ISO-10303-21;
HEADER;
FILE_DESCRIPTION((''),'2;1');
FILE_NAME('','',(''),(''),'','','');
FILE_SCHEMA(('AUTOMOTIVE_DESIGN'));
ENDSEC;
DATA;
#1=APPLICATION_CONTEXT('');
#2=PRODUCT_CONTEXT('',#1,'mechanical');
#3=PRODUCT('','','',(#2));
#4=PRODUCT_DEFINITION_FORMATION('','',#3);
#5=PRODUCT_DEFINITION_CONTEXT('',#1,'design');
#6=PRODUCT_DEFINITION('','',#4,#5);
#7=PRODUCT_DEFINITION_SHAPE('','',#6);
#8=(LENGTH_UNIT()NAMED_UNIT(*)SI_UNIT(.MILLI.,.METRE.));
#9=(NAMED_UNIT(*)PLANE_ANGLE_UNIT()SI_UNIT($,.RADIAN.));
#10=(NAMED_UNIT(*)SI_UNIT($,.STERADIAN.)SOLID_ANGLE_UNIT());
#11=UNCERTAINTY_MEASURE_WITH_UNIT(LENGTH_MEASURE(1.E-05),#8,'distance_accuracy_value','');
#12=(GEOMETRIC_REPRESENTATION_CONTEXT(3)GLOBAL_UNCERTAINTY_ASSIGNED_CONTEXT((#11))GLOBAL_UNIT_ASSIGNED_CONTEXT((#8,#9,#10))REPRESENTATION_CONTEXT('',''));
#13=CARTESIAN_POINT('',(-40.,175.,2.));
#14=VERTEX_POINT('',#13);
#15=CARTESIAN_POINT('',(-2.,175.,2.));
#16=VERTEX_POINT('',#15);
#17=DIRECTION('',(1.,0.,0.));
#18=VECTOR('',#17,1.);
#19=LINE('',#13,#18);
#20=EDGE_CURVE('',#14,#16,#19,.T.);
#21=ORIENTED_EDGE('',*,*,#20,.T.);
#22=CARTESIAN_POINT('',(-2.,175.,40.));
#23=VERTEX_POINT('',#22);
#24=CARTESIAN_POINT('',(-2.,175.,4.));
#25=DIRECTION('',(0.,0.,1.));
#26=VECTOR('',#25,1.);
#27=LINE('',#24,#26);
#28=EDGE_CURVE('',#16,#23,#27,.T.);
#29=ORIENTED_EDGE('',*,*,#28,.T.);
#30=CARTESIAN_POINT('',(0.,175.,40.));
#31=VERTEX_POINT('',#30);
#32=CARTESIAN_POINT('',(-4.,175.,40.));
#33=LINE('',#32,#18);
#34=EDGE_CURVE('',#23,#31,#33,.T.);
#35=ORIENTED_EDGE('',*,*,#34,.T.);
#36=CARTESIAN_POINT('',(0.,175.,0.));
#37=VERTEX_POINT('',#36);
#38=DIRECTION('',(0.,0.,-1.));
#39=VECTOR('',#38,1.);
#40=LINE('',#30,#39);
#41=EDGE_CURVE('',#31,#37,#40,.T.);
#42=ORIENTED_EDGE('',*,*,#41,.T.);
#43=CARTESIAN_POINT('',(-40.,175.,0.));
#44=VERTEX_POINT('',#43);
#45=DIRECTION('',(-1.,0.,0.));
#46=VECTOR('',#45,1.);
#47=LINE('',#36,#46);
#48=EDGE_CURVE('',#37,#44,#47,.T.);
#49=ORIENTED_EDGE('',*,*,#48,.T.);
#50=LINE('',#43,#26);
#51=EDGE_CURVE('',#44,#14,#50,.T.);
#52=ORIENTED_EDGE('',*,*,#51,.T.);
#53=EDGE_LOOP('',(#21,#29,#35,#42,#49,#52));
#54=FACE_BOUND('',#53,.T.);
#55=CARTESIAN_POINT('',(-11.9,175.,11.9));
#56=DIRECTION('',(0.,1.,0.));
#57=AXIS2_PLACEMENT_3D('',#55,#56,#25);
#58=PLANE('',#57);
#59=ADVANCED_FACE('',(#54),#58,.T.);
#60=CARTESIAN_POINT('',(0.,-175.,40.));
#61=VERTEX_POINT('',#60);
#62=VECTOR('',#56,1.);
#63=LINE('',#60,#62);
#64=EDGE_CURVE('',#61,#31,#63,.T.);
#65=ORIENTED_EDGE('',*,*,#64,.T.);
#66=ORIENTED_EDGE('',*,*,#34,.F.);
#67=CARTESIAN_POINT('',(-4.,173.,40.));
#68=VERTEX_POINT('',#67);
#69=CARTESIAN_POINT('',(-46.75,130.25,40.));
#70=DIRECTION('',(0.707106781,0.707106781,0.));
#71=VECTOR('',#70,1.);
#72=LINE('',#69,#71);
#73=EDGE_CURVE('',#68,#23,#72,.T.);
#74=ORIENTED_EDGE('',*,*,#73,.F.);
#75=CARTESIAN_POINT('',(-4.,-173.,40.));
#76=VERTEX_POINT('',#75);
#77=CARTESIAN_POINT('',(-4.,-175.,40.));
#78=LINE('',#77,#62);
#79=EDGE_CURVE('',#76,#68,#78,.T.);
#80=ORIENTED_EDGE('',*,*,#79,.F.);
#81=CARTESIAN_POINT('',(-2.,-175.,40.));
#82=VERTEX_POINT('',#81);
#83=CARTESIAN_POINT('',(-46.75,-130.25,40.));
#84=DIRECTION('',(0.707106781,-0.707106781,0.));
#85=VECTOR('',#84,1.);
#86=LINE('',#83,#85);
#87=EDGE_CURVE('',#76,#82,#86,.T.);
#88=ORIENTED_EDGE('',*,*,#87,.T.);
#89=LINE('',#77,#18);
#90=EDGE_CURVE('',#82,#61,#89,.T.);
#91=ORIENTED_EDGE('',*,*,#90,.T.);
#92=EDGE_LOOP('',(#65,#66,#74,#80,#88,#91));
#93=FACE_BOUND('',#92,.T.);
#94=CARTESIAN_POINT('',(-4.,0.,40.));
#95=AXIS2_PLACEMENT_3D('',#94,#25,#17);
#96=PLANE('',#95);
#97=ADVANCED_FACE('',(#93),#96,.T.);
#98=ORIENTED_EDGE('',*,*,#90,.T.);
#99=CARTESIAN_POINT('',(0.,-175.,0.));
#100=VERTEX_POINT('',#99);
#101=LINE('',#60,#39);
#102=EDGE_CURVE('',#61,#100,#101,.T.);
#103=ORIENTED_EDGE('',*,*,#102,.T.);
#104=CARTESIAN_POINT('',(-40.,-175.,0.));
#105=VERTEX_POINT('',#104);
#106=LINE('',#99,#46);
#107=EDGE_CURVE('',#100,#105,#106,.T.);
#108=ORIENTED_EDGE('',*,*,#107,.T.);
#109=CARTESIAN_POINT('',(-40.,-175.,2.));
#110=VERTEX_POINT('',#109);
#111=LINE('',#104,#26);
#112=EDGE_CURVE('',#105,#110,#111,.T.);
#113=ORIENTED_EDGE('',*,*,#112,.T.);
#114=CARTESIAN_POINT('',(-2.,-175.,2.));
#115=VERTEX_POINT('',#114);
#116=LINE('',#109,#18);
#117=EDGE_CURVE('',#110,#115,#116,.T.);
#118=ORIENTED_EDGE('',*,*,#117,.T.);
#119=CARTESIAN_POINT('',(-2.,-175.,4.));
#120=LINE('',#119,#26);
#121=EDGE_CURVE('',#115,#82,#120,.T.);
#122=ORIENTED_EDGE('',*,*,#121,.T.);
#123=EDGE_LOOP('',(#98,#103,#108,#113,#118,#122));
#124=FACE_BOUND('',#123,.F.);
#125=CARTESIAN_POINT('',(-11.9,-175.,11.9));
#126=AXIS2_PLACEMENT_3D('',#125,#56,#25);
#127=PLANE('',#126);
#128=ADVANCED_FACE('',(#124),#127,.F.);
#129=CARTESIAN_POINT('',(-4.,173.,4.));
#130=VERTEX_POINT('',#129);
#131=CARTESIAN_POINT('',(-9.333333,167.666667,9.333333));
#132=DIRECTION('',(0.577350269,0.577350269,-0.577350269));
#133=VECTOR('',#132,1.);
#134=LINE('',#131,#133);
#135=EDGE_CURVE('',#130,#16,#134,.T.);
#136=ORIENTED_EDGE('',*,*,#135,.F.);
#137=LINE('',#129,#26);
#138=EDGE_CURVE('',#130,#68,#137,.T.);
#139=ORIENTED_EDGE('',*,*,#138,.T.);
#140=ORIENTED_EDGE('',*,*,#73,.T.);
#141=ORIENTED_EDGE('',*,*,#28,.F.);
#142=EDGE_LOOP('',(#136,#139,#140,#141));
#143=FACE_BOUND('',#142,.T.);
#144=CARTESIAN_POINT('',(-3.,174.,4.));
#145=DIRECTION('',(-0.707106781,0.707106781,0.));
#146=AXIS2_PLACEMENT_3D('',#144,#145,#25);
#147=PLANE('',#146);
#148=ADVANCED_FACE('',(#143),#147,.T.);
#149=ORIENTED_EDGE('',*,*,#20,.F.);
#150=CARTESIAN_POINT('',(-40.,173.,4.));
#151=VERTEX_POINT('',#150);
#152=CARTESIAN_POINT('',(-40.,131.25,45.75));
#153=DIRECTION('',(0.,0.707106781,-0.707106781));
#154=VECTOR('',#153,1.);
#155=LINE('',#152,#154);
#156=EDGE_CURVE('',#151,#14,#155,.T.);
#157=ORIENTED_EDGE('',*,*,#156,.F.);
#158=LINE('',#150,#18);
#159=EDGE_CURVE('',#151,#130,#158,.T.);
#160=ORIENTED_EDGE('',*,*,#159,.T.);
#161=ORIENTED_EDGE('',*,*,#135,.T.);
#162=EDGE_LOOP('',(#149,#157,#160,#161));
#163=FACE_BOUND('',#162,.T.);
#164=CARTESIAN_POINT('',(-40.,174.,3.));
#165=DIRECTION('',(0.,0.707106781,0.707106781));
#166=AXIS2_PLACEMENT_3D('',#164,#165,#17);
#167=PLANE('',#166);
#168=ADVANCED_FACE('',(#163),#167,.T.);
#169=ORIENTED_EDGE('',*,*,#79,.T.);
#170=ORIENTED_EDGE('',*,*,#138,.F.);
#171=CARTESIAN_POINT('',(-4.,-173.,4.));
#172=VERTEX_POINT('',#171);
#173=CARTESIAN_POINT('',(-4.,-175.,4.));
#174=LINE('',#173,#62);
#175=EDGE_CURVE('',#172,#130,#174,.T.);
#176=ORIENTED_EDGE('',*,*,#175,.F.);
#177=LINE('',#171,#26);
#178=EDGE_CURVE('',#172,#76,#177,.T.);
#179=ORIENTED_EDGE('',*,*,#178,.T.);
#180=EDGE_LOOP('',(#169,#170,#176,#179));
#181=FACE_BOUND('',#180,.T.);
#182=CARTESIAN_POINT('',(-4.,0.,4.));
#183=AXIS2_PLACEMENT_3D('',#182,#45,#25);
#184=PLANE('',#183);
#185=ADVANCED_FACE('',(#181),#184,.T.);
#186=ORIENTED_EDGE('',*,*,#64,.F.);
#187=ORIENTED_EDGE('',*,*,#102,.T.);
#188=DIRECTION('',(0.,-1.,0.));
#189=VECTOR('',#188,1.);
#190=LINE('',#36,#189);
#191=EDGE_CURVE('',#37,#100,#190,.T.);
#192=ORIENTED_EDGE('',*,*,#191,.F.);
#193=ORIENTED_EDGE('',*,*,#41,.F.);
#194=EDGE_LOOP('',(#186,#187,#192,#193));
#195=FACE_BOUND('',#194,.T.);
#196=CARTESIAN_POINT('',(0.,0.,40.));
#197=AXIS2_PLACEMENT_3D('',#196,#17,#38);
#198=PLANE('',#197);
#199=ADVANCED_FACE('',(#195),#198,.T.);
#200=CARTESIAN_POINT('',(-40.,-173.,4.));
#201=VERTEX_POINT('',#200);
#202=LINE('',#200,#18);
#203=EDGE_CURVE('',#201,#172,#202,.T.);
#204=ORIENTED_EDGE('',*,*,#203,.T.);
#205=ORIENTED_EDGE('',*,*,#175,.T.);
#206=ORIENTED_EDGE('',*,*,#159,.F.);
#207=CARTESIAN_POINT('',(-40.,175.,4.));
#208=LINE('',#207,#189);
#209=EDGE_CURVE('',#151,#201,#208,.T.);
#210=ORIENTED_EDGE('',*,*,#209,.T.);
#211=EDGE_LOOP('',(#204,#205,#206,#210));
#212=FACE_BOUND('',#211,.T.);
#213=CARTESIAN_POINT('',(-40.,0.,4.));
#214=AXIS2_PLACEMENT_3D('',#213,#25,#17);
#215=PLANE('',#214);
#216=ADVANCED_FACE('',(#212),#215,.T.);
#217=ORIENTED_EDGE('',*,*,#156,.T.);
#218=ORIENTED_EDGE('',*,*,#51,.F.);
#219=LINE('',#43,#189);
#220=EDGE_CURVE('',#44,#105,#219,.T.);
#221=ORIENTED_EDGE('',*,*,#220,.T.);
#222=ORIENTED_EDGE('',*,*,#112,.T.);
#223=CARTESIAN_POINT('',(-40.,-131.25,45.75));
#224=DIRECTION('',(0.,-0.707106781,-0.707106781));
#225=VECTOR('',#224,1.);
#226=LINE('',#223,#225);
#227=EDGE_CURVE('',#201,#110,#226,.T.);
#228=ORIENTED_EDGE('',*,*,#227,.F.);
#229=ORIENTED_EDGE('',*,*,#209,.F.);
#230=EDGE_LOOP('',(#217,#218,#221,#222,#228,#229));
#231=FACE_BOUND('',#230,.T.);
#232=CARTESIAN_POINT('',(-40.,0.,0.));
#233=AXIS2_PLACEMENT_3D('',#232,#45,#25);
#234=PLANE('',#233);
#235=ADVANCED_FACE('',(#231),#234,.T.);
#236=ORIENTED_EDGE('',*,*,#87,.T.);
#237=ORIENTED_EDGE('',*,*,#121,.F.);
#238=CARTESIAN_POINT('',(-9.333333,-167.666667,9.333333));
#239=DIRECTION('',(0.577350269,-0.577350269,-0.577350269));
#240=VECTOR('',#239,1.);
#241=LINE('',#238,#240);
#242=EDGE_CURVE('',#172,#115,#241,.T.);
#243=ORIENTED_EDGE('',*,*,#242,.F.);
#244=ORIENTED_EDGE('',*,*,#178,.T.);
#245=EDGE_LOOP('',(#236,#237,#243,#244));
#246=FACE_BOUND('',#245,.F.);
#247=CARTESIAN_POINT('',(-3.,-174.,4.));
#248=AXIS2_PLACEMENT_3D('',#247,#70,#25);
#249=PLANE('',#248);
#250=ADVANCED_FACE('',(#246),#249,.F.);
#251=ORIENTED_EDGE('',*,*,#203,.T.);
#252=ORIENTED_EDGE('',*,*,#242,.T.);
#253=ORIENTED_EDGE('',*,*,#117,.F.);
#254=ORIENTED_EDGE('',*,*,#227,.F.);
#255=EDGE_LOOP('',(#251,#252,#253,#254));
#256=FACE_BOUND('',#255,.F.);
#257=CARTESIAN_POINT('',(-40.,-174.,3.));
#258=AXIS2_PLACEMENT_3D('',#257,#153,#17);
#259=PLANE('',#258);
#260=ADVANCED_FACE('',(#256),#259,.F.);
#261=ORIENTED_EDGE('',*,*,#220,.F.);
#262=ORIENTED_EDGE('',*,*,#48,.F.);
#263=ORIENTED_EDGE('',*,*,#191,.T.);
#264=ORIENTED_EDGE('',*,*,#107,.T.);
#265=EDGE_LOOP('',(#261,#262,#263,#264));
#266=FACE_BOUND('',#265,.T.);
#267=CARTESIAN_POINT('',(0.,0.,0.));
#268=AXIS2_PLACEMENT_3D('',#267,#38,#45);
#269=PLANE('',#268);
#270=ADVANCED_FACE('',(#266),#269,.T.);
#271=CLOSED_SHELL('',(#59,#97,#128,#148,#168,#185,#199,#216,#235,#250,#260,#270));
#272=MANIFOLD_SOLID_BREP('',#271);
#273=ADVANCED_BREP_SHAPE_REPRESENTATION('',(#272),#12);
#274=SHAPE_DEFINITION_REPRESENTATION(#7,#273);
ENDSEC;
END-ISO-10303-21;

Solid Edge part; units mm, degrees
sketch "Sketch1" plane through (-9.04, 0, 33.0648) normal (0, -1, 0) x (1, 0, 0)
  line L0 (-30.96, -29.0648) -> (5.04, -29.0648)
  line L1 (5.04, -29.0648) -> (5.04, 6.9352)
  line L2 (5.04, 6.9352) -> (9.04, 6.9352)
  line L3 (9.04, 6.9352) -> (9.04, -33.0648)
  line L4 (9.04, -33.0648) -> (-30.96, -33.0648)
  line L5 (-30.96, -33.0648) -> (-30.96, -29.0648)
extrude "Protrusion1" add sketch "Sketch1" along normal mid plane 350
chamfer "Fase_2" distance 2 angle 45 4 edges at (-22, 175, 4) (-4, 175, 22) (-22, -175, 4) (-4, -175, 22)
